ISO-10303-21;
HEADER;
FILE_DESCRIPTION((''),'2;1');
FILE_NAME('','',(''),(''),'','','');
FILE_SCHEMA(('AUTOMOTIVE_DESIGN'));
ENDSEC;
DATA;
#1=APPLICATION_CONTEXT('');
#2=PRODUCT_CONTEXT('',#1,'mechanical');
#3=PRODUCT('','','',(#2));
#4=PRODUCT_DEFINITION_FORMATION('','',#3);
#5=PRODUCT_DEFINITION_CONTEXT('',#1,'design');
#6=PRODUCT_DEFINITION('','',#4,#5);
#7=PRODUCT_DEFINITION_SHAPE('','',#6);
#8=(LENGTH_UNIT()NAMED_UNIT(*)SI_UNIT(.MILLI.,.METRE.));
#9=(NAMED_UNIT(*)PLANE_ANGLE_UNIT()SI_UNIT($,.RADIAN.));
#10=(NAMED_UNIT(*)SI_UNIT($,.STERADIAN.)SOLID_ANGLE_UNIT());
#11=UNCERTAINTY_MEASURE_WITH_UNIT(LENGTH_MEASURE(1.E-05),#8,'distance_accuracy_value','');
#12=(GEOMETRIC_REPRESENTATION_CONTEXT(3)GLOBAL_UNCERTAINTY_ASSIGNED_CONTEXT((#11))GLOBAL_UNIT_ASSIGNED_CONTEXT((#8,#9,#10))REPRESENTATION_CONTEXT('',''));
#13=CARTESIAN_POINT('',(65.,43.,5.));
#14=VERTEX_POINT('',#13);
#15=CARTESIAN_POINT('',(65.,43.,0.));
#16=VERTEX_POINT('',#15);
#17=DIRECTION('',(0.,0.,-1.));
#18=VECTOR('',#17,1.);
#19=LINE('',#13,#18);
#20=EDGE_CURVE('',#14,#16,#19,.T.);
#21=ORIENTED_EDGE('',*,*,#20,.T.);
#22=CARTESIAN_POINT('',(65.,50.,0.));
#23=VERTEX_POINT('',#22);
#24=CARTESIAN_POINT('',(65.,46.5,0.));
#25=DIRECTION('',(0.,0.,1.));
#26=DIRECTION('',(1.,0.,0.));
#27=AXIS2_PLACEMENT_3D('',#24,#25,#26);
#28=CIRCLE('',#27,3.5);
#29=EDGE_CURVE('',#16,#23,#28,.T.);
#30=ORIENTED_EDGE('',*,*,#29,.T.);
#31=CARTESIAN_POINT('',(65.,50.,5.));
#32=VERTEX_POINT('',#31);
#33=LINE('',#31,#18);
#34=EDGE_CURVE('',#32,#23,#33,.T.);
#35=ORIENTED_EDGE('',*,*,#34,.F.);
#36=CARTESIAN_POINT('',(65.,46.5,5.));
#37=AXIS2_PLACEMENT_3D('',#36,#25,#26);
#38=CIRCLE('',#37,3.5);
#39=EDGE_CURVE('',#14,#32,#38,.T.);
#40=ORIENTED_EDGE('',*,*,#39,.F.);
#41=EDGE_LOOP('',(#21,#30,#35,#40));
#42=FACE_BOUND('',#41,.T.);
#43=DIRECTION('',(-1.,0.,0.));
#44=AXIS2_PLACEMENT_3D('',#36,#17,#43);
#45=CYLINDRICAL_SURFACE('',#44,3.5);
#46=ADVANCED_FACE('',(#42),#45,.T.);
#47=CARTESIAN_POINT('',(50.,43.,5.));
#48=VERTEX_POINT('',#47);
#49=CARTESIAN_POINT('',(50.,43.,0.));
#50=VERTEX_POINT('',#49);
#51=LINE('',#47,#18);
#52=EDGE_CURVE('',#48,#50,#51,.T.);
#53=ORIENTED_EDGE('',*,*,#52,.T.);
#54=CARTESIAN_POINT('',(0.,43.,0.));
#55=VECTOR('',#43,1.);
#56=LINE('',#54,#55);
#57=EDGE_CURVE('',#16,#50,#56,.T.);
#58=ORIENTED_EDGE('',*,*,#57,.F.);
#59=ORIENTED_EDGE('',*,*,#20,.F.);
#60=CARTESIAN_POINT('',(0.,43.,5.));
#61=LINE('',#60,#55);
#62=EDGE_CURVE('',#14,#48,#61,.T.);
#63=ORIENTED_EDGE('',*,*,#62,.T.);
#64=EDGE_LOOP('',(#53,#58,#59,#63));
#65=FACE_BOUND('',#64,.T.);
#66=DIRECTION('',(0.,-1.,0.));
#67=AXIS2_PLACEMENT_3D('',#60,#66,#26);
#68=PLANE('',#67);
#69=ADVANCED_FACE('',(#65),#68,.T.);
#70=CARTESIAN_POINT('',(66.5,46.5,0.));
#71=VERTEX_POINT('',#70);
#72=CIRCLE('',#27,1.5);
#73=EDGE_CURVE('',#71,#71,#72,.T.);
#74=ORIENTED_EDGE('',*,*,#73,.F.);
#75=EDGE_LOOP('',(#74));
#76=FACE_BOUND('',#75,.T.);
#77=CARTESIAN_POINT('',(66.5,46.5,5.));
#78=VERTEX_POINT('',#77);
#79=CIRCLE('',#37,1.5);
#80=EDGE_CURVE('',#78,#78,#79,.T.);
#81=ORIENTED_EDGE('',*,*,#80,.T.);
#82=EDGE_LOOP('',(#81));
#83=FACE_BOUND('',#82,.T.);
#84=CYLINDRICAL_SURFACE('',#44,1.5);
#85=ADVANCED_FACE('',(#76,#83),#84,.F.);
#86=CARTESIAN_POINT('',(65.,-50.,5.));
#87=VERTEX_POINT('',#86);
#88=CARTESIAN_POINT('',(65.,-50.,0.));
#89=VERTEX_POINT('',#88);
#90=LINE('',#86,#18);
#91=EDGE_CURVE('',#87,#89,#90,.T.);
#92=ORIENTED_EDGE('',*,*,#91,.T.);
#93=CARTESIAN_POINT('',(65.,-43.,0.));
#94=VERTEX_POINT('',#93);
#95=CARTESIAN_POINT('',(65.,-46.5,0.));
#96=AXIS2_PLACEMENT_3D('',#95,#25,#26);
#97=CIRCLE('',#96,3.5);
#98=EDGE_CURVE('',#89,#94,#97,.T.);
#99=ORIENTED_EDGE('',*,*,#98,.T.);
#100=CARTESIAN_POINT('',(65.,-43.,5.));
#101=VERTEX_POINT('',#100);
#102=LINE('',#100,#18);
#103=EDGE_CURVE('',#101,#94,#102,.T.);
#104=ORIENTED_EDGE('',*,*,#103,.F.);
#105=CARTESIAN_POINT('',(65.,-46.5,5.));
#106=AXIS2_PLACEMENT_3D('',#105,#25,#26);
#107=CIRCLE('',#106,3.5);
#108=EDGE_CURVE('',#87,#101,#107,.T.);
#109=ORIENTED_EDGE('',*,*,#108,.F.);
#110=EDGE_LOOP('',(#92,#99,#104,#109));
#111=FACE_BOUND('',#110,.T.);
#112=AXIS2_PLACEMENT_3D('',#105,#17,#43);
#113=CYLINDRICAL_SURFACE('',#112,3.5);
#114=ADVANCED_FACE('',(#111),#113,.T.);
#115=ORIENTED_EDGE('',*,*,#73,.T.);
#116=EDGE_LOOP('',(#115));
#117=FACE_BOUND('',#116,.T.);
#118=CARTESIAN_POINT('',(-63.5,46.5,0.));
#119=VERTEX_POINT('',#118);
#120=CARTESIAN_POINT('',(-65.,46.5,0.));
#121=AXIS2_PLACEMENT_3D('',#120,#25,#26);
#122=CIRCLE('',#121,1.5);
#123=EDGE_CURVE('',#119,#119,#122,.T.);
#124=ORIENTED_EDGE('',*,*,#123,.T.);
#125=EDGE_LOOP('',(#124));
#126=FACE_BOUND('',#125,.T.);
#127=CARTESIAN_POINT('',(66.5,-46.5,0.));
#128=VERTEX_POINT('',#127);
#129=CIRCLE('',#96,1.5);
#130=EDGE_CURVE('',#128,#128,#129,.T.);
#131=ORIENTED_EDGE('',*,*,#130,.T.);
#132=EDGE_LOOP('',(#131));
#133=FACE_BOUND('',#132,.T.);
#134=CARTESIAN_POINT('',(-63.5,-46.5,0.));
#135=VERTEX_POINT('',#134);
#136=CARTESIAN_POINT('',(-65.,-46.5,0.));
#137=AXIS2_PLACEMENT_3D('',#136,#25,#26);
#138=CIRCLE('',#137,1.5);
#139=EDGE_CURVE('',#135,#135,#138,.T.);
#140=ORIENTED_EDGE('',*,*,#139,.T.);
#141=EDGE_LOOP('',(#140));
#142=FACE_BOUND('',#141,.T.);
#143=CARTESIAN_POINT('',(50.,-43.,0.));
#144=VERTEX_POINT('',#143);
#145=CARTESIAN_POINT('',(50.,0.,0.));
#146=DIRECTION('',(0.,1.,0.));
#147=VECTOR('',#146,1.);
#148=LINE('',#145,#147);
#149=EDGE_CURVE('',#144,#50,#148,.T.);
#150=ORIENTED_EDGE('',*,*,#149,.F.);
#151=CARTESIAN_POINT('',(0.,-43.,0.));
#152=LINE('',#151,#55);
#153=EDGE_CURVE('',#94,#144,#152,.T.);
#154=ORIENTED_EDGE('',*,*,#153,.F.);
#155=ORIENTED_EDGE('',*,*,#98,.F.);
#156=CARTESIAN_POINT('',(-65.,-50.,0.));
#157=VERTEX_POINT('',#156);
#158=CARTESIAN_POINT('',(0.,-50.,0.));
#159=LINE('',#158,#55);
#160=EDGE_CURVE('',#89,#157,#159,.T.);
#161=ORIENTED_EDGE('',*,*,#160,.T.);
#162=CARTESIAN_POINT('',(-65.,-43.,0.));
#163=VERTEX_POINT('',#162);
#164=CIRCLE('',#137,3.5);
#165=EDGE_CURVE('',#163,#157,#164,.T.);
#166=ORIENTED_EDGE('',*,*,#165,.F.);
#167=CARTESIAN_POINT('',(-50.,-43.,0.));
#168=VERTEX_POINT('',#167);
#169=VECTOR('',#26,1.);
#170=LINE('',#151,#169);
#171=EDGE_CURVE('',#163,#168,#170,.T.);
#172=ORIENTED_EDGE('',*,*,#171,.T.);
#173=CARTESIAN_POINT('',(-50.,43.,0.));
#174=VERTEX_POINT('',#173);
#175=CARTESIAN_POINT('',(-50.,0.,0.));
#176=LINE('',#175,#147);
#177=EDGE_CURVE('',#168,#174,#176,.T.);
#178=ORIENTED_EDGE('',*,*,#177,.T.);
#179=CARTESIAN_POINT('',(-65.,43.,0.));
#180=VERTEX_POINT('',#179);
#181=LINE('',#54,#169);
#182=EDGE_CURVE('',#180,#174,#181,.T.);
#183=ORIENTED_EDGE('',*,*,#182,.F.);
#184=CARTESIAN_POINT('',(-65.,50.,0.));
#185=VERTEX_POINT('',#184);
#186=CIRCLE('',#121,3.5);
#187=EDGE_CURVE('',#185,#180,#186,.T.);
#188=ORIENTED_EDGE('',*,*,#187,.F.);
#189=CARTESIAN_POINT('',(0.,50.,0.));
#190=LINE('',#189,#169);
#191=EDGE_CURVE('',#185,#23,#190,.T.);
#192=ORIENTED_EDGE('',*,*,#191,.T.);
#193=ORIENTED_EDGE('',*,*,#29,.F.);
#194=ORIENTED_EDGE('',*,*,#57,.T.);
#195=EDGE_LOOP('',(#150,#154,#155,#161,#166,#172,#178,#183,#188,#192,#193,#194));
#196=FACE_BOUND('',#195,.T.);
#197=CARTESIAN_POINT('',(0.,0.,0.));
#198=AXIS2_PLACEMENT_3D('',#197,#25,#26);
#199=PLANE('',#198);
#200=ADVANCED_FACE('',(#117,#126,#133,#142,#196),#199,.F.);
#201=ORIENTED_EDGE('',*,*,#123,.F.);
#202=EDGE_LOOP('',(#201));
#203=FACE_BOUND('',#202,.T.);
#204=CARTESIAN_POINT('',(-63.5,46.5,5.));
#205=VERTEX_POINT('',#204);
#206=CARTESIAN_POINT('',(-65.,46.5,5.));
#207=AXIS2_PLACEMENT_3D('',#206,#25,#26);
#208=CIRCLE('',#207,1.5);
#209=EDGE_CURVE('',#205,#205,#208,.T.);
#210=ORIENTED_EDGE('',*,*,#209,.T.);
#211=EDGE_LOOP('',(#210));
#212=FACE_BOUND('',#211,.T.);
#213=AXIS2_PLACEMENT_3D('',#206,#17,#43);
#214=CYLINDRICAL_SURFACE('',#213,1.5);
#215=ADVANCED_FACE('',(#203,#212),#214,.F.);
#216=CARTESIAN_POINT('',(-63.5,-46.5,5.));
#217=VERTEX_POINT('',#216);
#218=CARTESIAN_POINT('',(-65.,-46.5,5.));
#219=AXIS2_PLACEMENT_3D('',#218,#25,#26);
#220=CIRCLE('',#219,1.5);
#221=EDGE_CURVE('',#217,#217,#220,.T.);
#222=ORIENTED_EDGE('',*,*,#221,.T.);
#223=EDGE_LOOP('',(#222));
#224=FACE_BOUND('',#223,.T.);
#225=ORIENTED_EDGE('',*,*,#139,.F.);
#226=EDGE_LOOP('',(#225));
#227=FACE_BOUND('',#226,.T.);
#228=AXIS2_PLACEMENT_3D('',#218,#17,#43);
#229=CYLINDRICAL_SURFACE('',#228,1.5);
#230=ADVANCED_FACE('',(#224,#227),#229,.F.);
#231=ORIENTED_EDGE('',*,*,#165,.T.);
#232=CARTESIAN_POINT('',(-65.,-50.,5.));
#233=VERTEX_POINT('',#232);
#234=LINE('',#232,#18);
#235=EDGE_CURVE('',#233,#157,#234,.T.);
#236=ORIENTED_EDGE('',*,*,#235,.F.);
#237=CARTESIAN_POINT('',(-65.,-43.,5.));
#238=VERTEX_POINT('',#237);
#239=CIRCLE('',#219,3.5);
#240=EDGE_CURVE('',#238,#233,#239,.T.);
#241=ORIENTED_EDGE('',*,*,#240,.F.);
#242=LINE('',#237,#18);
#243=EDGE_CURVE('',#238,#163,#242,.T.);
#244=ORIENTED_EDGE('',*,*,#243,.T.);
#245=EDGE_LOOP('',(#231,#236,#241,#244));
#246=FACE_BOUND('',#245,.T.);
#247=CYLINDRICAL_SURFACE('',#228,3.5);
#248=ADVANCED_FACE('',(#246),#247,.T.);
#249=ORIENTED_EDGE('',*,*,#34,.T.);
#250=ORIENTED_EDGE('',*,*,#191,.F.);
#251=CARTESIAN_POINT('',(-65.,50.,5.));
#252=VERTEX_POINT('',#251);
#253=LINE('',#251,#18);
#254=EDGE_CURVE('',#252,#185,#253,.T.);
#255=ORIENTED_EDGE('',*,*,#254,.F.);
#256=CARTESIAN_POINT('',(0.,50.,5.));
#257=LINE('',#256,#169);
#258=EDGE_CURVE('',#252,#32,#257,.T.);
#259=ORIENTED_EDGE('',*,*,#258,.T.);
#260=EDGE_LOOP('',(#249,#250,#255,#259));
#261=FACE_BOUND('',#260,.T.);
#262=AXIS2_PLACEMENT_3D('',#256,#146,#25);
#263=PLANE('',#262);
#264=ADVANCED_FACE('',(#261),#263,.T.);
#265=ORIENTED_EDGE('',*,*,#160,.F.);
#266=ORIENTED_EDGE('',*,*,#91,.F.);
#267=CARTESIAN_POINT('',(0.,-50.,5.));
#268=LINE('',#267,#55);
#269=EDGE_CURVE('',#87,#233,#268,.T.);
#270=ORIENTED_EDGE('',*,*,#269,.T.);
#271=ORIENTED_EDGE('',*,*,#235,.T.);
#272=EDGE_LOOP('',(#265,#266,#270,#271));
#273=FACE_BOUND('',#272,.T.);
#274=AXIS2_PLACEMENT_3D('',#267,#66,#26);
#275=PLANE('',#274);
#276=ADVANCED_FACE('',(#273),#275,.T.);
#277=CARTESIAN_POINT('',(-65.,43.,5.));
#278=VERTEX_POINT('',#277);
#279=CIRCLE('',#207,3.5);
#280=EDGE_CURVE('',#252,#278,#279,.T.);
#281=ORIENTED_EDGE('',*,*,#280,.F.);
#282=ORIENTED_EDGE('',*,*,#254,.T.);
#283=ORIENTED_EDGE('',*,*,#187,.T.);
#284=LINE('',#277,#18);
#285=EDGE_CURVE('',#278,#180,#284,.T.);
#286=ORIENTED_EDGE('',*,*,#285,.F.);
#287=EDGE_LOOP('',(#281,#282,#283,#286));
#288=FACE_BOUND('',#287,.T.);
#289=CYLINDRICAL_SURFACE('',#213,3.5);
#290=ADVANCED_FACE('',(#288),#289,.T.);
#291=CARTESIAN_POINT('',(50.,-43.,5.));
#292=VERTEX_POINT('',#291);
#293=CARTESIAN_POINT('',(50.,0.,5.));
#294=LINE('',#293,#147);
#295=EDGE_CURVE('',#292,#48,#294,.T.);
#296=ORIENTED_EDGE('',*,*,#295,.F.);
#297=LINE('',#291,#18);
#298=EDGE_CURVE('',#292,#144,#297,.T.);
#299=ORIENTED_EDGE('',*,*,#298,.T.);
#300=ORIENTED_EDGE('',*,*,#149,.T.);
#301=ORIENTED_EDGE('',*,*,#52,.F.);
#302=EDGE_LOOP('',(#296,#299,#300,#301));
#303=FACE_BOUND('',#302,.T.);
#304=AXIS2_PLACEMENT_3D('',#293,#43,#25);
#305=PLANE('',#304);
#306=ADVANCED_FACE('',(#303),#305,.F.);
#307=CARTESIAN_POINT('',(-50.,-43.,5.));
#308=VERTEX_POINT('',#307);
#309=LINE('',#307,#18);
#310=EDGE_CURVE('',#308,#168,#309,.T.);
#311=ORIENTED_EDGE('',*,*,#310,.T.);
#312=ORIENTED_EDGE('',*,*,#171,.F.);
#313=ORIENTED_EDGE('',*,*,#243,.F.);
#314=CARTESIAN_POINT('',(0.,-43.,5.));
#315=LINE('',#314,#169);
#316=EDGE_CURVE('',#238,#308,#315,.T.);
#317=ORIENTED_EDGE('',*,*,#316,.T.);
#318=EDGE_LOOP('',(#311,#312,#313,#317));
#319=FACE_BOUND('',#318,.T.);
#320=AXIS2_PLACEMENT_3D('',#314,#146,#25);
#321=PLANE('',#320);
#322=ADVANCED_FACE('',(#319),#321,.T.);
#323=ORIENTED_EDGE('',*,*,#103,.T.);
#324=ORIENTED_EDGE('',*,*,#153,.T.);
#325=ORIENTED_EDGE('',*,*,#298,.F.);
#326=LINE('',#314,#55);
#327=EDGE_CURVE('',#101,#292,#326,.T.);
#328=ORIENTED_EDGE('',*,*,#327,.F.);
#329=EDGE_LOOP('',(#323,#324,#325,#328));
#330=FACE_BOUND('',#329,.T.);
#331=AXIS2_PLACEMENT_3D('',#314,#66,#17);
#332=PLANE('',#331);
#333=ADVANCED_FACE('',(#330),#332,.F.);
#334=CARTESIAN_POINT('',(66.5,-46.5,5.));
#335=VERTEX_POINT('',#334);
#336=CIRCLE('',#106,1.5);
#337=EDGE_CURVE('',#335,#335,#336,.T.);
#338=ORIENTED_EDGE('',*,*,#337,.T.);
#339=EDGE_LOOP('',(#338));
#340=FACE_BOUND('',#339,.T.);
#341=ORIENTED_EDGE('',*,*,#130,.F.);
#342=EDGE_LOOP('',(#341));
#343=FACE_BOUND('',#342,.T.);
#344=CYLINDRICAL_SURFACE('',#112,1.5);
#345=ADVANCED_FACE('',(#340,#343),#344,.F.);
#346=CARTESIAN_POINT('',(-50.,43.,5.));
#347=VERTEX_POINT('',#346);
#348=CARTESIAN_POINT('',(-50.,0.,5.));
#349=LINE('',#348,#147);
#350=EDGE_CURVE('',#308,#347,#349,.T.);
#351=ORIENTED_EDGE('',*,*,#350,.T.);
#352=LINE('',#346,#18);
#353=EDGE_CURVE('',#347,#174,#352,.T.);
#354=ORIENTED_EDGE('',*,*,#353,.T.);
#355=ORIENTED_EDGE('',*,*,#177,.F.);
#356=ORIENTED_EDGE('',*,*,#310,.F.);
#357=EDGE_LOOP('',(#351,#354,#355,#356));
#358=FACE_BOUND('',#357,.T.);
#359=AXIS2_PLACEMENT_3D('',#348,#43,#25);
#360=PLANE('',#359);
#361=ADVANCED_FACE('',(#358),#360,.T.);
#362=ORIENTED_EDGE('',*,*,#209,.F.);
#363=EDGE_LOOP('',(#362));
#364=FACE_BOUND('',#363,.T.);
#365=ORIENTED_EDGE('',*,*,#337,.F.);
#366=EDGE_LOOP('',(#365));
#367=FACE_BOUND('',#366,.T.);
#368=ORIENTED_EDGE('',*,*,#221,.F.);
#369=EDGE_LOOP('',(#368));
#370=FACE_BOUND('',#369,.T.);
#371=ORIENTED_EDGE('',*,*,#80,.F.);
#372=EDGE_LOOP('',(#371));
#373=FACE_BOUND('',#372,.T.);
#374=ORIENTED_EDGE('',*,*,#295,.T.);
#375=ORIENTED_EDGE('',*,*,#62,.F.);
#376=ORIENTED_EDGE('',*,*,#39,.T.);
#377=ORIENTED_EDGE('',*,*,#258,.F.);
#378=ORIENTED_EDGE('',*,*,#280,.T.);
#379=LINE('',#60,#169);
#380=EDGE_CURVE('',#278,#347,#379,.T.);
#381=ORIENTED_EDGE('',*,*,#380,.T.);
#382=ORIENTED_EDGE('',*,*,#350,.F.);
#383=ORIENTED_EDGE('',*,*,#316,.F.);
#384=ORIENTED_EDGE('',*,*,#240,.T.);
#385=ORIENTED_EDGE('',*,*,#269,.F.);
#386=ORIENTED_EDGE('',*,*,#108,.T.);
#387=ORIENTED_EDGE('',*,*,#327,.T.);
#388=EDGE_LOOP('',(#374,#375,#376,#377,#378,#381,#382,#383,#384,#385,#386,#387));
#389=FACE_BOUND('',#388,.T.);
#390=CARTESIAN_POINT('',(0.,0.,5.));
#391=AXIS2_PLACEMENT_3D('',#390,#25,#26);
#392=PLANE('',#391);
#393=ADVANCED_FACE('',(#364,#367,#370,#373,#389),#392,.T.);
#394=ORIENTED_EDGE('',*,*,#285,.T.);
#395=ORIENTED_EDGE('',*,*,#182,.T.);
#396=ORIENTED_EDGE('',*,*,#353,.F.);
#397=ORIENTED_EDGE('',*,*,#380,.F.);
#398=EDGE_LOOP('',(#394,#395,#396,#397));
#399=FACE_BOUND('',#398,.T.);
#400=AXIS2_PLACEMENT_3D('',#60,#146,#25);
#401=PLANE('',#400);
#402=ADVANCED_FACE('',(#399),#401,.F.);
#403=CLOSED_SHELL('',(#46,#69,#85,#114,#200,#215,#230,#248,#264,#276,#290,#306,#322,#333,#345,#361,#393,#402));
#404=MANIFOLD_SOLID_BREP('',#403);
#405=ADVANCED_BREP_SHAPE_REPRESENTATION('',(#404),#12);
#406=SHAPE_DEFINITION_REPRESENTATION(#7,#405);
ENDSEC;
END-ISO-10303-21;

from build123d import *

# Parameters (mm, degrees)
ESQUISSE1_R        = 1.5
BOSS_EXTRU_1_DEPTH = 5


with BuildPart() as part:
    # Esquisse1 → Boss.-Extru.1 (new body)
    with BuildSketch(Plane.XY):
        with BuildLine():
            Line((-65, -43), (-50, -43))
            Line((-50, -43), (-50, 43))
            Line((-50, 43), (-65, 43))
            ThreePointArc((-65, 43), (-68.5, 46.5), (-65, 50))
            Line((-65, 50), (-50, 50))
            Line((-50, 50), (50, 50))
            Line((50, 50), (65, 50))
            ThreePointArc((65, 50), (68.5, 46.5), (65, 43))
            Line((65, 43), (50, 43))
            Line((50, 43), (50, -43))
            Line((50, -43), (65, -43))
            ThreePointArc((65, -43), (68.5, -46.5), (65, -50))
            Line((65, -50), (50, -50))
            Line((50, -50), (-50, -50))
            Line((-50, -50), (-65, -50))
            ThreePointArc((-65, -50), (-68.5, -46.5), (-65, -43))
        make_face()
        with Locations((-65, 46.5)):
            Circle(ESQUISSE1_R, mode=Mode.SUBTRACT)
        with Locations((65, 46.5)):
            Circle(ESQUISSE1_R, mode=Mode.SUBTRACT)
        with Locations((65, -46.5)):
            Circle(ESQUISSE1_R, mode=Mode.SUBTRACT)
        with Locations((-65, -46.5)):
            Circle(ESQUISSE1_R, mode=Mode.SUBTRACT)
    extrude(amount=BOSS_EXTRU_1_DEPTH)


solid = part.part
